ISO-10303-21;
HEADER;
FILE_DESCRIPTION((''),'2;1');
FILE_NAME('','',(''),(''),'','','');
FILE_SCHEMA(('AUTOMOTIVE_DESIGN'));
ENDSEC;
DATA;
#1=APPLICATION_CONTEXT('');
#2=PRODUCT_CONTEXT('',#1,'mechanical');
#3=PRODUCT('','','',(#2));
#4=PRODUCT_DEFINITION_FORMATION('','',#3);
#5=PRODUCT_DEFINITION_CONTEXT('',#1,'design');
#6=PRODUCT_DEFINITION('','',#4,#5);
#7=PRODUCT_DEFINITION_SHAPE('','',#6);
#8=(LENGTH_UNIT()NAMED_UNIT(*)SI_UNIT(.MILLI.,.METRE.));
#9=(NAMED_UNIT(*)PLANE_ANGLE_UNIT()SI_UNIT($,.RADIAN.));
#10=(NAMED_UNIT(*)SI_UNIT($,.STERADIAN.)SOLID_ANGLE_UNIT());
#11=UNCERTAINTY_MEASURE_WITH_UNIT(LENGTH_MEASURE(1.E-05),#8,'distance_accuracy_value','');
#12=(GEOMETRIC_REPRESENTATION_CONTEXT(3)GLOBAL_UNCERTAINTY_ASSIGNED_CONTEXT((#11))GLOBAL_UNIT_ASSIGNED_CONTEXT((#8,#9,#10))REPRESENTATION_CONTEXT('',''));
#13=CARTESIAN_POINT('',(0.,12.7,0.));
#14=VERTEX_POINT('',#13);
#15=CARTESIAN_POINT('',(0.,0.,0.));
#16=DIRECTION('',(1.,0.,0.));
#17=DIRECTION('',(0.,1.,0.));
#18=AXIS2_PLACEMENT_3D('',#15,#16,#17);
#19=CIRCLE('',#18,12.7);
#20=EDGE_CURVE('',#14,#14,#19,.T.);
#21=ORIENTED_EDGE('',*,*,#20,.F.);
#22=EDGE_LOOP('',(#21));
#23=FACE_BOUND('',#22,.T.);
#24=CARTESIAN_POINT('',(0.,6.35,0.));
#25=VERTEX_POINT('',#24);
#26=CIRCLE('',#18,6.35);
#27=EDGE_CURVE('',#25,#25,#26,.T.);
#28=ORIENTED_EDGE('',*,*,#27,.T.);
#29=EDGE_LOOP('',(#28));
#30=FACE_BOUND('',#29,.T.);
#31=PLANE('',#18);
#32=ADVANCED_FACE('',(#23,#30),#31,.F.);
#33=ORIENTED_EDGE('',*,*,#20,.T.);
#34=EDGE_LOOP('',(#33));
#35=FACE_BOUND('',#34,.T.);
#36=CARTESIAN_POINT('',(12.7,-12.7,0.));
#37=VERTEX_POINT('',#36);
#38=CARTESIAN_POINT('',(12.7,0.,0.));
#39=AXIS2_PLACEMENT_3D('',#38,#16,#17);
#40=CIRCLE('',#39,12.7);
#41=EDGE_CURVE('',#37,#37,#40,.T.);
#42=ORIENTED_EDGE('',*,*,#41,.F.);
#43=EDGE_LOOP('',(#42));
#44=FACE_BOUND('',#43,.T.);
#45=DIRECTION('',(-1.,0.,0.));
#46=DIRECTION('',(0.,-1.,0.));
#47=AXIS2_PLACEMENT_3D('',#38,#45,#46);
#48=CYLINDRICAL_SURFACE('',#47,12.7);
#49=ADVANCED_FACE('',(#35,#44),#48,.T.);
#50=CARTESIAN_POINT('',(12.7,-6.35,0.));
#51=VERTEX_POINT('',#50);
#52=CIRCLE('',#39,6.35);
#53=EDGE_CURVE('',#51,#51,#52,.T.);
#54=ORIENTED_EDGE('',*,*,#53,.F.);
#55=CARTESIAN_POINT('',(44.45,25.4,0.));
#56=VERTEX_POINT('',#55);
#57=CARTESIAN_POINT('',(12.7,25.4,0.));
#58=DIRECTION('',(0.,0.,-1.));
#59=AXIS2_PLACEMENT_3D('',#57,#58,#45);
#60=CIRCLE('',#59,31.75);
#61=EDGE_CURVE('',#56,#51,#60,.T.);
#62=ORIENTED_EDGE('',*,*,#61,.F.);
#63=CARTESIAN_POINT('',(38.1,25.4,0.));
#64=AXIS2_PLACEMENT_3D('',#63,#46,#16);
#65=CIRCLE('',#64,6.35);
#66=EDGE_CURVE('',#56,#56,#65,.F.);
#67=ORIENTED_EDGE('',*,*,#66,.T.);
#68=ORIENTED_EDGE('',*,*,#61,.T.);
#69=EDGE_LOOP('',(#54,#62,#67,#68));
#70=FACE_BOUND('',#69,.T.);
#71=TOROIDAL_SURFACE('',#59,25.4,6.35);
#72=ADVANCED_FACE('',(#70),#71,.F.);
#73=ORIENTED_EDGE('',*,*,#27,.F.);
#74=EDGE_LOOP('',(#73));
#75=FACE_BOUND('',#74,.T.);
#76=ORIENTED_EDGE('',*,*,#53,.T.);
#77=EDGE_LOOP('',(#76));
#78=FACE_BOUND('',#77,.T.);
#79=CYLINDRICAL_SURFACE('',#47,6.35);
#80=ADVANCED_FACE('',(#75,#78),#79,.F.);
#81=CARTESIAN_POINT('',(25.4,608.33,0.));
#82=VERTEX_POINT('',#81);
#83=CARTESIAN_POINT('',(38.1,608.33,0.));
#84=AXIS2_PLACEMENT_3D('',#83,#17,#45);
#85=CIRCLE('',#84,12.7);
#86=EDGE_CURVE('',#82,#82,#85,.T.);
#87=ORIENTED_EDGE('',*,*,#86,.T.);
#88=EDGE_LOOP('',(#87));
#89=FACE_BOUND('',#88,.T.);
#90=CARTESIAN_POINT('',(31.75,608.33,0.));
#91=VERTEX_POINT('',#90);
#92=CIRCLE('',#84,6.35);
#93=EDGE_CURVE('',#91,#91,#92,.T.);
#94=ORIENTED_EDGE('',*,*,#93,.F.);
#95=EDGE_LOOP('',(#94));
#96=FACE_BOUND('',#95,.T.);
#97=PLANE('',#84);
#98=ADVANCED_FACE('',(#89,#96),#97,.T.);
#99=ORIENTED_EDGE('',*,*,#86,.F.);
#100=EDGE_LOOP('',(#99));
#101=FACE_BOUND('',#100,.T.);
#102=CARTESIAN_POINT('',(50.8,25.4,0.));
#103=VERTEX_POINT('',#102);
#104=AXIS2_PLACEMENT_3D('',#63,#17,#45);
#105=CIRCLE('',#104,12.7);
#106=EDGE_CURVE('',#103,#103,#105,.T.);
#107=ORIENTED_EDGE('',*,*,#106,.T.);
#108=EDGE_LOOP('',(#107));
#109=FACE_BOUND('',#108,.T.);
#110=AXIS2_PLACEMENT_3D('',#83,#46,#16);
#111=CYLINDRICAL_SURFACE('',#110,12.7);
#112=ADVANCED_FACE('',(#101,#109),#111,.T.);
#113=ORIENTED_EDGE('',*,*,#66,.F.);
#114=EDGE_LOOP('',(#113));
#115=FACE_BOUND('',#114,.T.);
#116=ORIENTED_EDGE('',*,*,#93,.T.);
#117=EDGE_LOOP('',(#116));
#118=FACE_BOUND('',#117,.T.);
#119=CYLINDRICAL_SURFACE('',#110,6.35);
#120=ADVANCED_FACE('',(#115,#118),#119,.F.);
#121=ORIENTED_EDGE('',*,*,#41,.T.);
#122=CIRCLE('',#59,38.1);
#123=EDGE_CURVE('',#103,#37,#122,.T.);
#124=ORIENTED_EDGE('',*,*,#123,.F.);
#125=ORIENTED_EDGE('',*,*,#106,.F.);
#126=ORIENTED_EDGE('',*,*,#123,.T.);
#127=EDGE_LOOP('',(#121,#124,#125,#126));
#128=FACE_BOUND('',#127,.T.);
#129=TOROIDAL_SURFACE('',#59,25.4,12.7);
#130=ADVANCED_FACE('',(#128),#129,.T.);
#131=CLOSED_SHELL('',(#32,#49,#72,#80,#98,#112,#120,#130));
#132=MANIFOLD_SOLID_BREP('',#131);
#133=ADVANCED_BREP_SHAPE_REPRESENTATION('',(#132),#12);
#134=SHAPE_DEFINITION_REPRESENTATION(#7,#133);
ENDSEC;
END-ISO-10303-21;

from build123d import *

# Parameters (mm, degrees)
SWEEP1_PROFILE_R = 12.7
SHELL2_T         = -6.35


with BuildPart() as part:
    # Sweep1: sweep along a path in Sketch1
    with BuildLine(Plane.XY) as sweep1_path:
        Line((38.1, 608.33), (38.1, 25.4))
        ThreePointArc((38.1, 25.4), (30.660512242, 7.439487758), (12.7, 0))
        Line((12.7, 0), (0, 0))
    # Sweep1 profile (on start of the path) → Sweep1 (sweep)
    with BuildSketch(Plane(origin=(38.1, 608.33, 0), x_dir=(-1, 0, 0), z_dir=(0, -1, 0))):
        Circle(SWEEP1_PROFILE_R)
    sweep(path=sweep1_path.line)

    # Shell2
    shell2_openings = [part.faces().sort_by_distance(p)[0] for p in [
        (0, 12.7, 0),
        (25.4, 608.33, 0),
    ]]
    offset(amount=SHELL2_T, openings=shell2_openings, kind=Kind.INTERSECTION)


solid = part.part
